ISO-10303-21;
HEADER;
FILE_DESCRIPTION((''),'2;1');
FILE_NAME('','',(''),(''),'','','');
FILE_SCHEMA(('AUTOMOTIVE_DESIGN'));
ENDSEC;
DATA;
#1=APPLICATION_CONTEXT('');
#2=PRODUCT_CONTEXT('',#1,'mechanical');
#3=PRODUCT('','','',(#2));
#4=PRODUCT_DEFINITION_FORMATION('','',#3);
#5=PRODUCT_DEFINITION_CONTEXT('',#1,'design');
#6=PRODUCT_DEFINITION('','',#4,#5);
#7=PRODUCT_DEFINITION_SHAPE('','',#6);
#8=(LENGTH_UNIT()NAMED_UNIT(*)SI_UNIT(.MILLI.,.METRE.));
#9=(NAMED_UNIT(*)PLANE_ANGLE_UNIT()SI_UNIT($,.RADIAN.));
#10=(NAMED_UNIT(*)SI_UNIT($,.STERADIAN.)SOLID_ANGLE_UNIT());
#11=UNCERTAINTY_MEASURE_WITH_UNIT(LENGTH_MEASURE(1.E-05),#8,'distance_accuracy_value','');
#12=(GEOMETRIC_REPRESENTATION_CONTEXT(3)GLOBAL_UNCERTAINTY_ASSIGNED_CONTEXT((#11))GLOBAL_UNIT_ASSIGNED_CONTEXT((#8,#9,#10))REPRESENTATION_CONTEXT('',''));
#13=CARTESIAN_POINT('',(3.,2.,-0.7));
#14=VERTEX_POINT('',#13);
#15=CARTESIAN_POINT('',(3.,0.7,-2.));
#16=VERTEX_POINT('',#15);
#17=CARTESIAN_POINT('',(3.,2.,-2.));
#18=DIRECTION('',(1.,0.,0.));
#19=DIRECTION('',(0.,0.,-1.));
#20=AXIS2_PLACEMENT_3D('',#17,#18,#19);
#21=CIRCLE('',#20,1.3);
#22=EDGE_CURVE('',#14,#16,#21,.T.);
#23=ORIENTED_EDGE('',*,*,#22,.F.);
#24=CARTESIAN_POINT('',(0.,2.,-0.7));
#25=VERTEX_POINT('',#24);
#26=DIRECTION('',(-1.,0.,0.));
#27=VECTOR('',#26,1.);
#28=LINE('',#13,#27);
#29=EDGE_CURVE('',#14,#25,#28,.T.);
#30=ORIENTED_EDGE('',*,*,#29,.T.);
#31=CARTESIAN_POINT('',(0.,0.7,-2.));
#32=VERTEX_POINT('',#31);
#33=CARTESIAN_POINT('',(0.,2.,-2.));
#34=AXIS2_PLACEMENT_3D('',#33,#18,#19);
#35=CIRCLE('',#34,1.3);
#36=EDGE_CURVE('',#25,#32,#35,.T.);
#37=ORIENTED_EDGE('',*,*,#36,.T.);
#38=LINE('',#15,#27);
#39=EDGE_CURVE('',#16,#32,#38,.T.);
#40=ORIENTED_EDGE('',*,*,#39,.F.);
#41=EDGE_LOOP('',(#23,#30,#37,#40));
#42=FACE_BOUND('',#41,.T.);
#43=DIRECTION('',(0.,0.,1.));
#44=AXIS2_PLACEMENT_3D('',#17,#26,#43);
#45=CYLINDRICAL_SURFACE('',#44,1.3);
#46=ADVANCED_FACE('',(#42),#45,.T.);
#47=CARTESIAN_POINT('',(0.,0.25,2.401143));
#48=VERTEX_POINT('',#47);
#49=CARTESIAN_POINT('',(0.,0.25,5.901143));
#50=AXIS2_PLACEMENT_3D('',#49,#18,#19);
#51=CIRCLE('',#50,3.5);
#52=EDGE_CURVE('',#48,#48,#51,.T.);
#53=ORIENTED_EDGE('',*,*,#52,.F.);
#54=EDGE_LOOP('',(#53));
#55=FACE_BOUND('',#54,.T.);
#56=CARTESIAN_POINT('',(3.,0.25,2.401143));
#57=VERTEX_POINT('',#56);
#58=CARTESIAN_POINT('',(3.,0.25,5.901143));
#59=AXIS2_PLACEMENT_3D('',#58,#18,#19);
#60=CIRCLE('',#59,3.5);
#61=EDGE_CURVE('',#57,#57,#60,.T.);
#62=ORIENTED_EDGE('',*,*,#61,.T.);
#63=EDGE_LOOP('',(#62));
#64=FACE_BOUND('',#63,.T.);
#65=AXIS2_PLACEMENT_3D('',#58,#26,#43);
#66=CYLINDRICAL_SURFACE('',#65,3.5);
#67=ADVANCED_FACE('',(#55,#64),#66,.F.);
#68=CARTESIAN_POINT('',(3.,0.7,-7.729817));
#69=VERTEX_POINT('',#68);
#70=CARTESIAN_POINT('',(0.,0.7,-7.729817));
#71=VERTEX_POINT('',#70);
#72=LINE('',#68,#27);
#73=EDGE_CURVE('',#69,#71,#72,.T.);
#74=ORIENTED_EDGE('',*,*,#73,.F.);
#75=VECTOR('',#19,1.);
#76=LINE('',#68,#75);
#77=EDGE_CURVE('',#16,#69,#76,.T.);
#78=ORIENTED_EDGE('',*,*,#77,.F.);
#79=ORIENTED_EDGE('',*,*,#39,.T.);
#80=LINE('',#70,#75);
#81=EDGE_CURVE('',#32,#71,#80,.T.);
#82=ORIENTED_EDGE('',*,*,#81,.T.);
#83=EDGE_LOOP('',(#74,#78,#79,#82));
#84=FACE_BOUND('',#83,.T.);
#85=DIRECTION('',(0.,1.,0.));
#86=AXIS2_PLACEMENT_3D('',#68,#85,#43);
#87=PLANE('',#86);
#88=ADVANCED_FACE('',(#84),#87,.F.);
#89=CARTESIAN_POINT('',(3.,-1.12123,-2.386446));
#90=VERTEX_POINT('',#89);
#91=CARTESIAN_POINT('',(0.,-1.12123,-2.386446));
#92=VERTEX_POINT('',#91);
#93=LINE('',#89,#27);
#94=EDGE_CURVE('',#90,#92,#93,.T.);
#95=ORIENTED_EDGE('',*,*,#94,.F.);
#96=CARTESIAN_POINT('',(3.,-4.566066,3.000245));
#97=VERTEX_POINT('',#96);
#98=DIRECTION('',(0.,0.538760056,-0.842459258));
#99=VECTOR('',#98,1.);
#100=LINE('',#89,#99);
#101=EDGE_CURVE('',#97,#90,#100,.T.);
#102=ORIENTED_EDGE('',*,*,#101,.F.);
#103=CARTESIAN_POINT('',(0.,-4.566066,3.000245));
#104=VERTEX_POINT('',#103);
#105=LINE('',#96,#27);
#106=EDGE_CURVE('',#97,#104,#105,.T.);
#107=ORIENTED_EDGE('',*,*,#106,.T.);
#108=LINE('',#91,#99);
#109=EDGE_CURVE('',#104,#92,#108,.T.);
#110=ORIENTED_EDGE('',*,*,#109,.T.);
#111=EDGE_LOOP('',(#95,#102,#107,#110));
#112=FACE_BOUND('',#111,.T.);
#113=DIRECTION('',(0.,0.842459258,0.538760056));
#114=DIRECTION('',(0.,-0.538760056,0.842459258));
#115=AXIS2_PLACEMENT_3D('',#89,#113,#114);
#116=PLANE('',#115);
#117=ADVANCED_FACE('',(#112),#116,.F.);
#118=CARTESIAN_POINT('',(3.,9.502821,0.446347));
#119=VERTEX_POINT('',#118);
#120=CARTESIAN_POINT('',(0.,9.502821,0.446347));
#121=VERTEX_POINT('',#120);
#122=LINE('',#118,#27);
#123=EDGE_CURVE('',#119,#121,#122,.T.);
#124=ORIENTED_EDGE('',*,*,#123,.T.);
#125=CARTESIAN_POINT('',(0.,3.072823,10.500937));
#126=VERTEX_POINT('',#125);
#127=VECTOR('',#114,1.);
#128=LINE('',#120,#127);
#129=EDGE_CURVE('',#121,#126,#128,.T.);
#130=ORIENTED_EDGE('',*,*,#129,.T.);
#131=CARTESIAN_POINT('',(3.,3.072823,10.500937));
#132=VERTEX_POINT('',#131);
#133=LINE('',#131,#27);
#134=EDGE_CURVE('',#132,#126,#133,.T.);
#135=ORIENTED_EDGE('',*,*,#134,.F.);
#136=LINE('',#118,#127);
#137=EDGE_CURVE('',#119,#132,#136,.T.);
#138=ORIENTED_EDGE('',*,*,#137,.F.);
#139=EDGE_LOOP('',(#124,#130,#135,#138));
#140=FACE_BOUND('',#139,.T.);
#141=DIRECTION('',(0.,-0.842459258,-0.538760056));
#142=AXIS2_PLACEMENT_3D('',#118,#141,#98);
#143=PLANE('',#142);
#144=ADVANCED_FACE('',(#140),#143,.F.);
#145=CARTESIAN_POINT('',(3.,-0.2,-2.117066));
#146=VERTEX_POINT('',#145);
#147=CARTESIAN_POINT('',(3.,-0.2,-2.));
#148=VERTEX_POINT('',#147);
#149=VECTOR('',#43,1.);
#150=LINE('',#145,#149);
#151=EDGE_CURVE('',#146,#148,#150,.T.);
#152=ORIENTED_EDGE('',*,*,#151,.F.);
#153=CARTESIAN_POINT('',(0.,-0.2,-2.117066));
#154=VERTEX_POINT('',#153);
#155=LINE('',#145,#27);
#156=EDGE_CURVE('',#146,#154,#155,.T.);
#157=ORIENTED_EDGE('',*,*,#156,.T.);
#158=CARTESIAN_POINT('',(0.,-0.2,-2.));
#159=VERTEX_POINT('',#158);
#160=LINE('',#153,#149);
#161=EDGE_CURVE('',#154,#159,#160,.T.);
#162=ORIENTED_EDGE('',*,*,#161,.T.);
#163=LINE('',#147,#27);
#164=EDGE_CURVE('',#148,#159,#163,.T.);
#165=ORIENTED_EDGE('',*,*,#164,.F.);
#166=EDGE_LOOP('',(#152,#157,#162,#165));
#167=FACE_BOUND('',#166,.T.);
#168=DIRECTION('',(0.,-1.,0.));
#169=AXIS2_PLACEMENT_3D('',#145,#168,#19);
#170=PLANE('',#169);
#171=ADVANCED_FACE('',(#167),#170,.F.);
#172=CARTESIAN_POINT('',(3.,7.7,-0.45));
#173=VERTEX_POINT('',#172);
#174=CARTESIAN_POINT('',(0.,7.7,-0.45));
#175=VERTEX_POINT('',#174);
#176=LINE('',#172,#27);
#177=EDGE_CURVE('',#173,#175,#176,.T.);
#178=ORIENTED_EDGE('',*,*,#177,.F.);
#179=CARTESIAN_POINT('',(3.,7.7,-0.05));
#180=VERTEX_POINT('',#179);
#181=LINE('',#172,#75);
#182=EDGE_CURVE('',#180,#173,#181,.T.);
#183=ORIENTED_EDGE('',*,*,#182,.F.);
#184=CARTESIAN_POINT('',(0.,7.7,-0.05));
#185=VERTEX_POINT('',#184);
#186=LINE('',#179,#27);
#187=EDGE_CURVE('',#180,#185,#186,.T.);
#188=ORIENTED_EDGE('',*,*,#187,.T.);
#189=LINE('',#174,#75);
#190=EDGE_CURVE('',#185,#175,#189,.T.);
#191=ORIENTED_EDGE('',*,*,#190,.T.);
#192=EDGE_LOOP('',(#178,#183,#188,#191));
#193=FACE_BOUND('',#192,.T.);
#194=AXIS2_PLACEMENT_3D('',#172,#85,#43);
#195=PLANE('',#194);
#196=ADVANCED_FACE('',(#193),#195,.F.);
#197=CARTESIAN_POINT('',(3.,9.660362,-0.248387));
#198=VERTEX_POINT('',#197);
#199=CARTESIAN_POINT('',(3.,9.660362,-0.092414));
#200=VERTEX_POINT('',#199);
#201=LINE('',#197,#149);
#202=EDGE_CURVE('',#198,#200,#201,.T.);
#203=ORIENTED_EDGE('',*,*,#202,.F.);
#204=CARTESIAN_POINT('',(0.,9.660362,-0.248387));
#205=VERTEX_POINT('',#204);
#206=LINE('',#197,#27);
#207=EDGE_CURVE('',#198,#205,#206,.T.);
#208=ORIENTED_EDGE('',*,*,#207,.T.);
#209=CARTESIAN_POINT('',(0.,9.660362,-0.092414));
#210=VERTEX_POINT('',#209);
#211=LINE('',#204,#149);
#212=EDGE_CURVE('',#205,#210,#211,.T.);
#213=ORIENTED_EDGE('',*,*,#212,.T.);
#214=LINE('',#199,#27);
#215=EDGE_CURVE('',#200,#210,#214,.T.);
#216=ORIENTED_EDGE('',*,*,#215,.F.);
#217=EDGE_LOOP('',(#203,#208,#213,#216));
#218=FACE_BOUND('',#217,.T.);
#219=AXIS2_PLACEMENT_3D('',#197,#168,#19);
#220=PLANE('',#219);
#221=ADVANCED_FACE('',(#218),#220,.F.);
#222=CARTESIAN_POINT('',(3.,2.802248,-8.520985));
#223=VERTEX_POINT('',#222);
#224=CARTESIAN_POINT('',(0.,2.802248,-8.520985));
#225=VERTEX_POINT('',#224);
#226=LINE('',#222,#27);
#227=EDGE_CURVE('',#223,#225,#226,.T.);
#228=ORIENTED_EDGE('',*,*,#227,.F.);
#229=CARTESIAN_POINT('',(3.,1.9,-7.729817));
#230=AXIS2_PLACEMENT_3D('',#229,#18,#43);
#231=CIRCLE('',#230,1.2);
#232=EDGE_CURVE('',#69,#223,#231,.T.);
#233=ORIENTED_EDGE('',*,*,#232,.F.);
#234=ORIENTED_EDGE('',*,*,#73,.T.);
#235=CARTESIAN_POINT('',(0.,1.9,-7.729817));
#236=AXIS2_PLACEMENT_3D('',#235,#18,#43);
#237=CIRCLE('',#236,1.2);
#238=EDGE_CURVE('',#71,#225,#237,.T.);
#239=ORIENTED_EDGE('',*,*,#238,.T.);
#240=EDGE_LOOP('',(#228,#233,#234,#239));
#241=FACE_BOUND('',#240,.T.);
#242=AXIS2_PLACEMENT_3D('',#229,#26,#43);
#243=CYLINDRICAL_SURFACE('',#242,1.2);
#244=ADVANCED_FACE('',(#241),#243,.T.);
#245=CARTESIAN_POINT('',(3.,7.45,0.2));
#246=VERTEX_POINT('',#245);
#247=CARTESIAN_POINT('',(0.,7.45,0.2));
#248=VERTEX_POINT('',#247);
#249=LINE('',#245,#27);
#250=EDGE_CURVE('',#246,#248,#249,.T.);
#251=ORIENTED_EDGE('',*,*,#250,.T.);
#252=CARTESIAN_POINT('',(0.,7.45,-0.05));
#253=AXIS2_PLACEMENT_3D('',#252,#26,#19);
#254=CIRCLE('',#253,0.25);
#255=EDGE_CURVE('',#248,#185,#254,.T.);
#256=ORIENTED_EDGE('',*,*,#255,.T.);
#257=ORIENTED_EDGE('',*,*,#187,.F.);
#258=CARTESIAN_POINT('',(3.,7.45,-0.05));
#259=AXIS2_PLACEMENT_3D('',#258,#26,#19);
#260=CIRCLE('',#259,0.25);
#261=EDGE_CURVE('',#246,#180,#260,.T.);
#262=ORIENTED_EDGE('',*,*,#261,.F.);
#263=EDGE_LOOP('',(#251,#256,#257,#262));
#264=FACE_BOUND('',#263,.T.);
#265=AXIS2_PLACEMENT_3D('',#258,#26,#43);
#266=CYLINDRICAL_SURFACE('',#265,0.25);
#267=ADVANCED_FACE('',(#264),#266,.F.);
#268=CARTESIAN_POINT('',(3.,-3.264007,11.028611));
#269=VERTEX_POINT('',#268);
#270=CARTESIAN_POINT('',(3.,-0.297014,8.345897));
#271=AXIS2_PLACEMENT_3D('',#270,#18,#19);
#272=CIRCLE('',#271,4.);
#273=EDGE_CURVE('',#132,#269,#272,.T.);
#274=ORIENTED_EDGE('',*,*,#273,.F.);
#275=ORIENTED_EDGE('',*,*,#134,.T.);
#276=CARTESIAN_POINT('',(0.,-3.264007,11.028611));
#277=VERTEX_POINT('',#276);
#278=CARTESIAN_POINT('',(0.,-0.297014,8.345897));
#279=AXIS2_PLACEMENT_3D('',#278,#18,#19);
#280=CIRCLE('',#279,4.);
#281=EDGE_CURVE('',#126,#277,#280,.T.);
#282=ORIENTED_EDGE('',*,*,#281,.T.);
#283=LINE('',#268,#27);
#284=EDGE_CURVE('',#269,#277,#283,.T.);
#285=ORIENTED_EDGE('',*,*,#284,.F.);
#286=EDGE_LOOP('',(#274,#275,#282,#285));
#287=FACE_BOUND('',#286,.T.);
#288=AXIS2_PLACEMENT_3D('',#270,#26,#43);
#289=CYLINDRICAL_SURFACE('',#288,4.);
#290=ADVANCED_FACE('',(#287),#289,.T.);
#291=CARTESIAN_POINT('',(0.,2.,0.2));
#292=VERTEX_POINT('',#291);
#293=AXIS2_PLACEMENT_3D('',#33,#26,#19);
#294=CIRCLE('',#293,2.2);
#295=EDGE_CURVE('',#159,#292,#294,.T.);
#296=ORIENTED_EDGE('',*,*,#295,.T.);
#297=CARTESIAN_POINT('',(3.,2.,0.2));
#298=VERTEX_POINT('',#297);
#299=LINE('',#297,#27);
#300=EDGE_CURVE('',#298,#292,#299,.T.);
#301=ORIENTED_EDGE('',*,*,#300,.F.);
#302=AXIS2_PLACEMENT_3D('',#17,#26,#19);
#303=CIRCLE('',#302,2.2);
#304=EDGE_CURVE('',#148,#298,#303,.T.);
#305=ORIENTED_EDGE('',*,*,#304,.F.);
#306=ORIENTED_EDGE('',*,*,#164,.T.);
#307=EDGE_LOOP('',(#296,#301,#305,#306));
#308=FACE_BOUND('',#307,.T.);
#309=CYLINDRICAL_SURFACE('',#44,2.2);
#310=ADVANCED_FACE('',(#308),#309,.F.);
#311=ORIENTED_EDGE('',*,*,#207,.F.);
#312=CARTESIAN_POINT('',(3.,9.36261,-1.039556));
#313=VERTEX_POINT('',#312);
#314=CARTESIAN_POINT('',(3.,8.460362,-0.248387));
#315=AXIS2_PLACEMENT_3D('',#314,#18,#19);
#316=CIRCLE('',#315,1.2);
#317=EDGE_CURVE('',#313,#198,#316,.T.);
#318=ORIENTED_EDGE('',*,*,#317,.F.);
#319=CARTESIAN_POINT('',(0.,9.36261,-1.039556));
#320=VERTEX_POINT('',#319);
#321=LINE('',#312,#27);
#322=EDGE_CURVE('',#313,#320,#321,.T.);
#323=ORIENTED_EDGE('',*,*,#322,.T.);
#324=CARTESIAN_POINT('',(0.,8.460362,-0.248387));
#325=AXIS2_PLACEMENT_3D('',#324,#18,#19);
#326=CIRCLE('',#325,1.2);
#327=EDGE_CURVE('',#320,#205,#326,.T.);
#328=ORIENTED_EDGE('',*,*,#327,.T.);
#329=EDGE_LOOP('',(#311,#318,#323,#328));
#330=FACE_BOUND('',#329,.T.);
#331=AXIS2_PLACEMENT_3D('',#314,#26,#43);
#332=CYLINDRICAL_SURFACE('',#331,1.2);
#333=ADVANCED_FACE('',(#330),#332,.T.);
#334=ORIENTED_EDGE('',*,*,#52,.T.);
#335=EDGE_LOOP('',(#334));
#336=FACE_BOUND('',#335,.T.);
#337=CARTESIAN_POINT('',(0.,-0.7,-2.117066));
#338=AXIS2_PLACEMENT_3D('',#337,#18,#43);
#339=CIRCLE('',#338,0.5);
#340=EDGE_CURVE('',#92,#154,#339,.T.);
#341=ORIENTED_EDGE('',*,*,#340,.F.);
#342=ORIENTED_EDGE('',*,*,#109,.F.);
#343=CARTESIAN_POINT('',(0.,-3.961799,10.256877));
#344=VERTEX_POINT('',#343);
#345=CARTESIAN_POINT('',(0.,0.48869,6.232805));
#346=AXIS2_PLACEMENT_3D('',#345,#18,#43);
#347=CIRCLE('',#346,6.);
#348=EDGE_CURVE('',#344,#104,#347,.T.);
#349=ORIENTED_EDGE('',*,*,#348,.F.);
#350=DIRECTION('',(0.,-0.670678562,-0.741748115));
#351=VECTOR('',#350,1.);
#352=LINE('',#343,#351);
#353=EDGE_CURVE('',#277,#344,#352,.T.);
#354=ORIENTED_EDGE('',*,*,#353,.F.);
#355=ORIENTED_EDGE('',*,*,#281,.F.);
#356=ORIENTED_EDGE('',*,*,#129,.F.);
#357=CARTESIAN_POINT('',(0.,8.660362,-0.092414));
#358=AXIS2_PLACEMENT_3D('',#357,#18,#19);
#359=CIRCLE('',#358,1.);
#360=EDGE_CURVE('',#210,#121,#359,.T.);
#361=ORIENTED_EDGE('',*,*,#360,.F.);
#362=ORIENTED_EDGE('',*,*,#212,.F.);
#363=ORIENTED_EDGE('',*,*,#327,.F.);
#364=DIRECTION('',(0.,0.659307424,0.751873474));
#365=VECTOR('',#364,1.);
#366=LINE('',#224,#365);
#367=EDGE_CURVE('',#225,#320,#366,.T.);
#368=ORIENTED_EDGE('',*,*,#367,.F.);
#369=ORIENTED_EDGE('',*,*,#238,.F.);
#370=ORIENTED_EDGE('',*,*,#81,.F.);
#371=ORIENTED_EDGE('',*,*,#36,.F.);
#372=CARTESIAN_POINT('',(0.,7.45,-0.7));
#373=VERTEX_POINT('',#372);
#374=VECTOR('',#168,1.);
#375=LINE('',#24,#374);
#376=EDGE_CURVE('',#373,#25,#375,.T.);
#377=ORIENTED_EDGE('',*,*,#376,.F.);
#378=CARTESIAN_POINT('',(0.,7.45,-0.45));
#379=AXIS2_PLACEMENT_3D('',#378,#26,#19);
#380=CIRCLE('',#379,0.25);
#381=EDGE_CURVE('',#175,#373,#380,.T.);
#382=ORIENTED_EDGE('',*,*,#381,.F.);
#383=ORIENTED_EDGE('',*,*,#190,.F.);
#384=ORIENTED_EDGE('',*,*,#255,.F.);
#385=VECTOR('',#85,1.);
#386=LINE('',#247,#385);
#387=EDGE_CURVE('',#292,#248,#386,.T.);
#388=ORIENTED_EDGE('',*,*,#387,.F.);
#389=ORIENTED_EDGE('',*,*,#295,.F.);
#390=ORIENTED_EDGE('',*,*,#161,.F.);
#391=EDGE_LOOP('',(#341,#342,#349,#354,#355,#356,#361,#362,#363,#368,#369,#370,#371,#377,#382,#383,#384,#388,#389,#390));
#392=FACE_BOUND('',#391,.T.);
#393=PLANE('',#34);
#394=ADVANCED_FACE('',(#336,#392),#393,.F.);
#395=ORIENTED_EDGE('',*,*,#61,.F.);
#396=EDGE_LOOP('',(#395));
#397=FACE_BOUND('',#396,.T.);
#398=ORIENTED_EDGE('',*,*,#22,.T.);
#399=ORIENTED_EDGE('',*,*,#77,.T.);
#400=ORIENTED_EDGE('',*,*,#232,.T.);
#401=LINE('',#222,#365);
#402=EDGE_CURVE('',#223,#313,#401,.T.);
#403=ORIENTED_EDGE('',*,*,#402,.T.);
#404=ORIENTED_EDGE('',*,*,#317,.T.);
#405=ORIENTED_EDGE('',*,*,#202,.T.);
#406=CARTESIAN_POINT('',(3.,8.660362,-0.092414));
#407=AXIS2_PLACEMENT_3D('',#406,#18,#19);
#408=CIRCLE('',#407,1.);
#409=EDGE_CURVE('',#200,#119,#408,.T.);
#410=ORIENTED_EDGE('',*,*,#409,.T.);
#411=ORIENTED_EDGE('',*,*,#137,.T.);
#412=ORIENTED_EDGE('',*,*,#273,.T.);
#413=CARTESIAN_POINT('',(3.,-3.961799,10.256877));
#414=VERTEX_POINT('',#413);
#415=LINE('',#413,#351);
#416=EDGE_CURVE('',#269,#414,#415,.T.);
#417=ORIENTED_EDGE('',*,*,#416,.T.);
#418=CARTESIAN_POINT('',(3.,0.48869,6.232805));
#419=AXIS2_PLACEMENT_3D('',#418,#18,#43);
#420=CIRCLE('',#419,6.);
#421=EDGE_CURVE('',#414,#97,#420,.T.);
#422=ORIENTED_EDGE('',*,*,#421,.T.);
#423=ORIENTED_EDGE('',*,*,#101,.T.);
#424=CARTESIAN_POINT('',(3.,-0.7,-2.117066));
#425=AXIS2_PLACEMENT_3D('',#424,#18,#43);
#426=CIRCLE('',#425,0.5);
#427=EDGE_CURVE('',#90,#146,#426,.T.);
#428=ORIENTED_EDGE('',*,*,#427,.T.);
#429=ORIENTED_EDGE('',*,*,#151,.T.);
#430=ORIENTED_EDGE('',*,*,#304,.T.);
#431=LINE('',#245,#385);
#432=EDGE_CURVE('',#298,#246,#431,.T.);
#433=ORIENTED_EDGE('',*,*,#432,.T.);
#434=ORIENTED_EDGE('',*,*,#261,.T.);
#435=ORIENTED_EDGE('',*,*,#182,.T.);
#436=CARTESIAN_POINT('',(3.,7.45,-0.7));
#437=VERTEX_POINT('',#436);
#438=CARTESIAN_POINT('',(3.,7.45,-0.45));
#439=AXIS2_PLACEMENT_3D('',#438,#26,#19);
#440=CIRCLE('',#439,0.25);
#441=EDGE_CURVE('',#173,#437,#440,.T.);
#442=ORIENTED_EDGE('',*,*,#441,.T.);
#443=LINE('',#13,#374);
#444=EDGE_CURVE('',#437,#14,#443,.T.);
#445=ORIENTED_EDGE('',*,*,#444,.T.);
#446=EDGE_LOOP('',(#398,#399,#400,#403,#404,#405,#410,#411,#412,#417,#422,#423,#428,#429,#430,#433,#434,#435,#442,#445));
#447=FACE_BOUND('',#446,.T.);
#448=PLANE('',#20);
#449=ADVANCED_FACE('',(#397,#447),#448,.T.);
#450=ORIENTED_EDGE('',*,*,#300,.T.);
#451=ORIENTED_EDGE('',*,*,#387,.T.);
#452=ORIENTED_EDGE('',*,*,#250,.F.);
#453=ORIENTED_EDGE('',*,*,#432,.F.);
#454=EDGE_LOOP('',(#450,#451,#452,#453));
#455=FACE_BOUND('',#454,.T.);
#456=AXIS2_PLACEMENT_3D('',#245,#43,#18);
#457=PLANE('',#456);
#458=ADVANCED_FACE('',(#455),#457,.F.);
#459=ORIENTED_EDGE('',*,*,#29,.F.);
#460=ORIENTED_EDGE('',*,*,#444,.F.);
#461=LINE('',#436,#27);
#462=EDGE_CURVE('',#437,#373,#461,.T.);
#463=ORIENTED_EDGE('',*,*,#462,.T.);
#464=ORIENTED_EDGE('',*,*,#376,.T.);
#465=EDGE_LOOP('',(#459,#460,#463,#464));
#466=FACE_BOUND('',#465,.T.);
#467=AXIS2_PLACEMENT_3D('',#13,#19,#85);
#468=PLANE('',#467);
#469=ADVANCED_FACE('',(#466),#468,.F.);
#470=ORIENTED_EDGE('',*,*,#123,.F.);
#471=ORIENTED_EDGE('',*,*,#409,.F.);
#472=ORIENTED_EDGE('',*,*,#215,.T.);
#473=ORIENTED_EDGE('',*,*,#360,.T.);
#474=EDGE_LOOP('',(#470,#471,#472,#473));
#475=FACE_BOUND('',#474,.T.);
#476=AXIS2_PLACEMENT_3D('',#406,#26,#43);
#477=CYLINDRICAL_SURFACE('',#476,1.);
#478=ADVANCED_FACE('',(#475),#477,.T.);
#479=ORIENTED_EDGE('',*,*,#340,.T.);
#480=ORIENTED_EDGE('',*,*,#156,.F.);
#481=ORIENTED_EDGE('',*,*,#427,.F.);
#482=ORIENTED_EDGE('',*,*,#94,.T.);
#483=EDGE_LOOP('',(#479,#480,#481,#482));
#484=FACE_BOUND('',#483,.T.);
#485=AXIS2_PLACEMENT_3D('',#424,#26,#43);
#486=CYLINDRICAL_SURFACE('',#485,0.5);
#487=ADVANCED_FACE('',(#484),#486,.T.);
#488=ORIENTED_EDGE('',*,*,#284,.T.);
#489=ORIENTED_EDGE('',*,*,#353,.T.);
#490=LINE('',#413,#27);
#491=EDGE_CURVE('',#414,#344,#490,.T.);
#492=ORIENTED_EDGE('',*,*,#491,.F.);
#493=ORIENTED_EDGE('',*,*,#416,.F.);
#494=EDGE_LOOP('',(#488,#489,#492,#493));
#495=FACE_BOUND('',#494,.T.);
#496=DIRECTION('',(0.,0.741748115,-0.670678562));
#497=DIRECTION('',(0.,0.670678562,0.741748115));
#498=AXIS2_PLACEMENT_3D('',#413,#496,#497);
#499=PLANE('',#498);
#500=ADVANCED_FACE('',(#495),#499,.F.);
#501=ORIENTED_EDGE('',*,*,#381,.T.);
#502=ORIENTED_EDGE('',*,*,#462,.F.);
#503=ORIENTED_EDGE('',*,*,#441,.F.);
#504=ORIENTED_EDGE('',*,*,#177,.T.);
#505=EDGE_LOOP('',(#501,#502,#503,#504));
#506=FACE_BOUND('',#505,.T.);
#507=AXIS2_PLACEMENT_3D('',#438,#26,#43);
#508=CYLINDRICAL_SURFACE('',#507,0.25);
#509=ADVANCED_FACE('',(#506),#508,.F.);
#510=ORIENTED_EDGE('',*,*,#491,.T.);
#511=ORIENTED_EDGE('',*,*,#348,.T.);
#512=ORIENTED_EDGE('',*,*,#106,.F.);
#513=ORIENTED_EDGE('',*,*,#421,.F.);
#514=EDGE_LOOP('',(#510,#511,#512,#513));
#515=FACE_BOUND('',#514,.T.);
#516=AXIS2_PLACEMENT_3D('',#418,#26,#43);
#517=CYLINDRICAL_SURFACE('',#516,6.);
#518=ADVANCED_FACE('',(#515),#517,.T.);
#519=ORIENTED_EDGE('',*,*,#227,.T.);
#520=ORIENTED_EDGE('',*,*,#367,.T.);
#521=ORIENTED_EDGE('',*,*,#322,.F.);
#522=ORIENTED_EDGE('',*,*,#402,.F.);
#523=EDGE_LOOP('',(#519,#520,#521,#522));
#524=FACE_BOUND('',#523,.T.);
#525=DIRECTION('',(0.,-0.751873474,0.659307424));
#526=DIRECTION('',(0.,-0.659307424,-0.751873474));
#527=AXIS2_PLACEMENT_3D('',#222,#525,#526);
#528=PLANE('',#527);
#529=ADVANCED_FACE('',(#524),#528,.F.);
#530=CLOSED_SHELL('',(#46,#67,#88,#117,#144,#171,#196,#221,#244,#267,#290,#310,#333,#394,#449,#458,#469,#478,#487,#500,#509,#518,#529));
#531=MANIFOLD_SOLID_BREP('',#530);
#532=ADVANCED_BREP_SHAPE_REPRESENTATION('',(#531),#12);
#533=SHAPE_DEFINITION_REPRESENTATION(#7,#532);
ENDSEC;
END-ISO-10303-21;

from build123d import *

# Parameters (mm, degrees)
SKETCH3_R           = 3.5
BOSS_EXTRUDE1_DEPTH = 3


with BuildPart() as part:
    # Sketch3 → Boss-Extrude1 (new body)
    with BuildSketch(Plane(origin=(0, 0, 0), x_dir=(0, 0, -1), z_dir=(1, 0, 0))):
        with BuildLine():
            Line((7.72981652, 0.7), (2, 0.7))
            ThreePointArc((2, 0.7), (1.080761184, 1.080761184), (0.7, 2))
            Line((0.7, 2), (0.7, 7.45))
            ThreePointArc((0.7, 7.45), (0.626776695, 7.626776695), (0.45, 7.7))
            Line((0.45, 7.7), (0.05, 7.7))
            ThreePointArc((0.05, 7.7), (-0.126776695, 7.626776695), (-0.2, 7.45))
            Line((-0.2, 7.45), (-0.2, 2))
            ThreePointArc((-0.2, 2), (0.444365081, 0.444365081), (2, -0.2))
            Line((2, -0.2), (2.117066245, -0.2))
            ThreePointArc((2.117066245, -0.2), (2.596969784, -0.559669701), (2.386446273, -1.121229629))
            Line((2.386446273, -1.121229629), (-3.000244885, -4.56606569))
            ThreePointArc((-3.000244885, -4.56606569), (-6.730707864, -5.490615532), (-10.256876598, -3.96179883))
            Line((-10.256876598, -3.96179883), (-11.028611154, -3.264006935))
            ThreePointArc((-11.028611154, -3.264006935), (-12.332100499, 0.034920618), (-10.50093713, 3.072822557))
            Line((-10.50093713, 3.072822557), (-0.446346504, 9.502821112))
            ThreePointArc((-0.446346504, 9.502821112), (-0.188247045, 9.620168933), (0.092413552, 9.660361854))
            Line((0.092413552, 9.660361854), (0.248386958, 9.660361854))
            ThreePointArc((0.248386958, 9.660361854), (0.671058342, 9.583459758), (1.039555867, 9.362610022))
            Line((1.039555867, 9.362610022), (8.520985429, 2.802248168))
            ThreePointArc((8.520985429, 2.802248168), (8.852914424, 1.477328616), (7.72981652, 0.7))
        make_face()
        with Locations((-5.901143056, 0.25)):
            Circle(SKETCH3_R, mode=Mode.SUBTRACT)
    extrude(amount=BOSS_EXTRUDE1_DEPTH)


solid = part.part
